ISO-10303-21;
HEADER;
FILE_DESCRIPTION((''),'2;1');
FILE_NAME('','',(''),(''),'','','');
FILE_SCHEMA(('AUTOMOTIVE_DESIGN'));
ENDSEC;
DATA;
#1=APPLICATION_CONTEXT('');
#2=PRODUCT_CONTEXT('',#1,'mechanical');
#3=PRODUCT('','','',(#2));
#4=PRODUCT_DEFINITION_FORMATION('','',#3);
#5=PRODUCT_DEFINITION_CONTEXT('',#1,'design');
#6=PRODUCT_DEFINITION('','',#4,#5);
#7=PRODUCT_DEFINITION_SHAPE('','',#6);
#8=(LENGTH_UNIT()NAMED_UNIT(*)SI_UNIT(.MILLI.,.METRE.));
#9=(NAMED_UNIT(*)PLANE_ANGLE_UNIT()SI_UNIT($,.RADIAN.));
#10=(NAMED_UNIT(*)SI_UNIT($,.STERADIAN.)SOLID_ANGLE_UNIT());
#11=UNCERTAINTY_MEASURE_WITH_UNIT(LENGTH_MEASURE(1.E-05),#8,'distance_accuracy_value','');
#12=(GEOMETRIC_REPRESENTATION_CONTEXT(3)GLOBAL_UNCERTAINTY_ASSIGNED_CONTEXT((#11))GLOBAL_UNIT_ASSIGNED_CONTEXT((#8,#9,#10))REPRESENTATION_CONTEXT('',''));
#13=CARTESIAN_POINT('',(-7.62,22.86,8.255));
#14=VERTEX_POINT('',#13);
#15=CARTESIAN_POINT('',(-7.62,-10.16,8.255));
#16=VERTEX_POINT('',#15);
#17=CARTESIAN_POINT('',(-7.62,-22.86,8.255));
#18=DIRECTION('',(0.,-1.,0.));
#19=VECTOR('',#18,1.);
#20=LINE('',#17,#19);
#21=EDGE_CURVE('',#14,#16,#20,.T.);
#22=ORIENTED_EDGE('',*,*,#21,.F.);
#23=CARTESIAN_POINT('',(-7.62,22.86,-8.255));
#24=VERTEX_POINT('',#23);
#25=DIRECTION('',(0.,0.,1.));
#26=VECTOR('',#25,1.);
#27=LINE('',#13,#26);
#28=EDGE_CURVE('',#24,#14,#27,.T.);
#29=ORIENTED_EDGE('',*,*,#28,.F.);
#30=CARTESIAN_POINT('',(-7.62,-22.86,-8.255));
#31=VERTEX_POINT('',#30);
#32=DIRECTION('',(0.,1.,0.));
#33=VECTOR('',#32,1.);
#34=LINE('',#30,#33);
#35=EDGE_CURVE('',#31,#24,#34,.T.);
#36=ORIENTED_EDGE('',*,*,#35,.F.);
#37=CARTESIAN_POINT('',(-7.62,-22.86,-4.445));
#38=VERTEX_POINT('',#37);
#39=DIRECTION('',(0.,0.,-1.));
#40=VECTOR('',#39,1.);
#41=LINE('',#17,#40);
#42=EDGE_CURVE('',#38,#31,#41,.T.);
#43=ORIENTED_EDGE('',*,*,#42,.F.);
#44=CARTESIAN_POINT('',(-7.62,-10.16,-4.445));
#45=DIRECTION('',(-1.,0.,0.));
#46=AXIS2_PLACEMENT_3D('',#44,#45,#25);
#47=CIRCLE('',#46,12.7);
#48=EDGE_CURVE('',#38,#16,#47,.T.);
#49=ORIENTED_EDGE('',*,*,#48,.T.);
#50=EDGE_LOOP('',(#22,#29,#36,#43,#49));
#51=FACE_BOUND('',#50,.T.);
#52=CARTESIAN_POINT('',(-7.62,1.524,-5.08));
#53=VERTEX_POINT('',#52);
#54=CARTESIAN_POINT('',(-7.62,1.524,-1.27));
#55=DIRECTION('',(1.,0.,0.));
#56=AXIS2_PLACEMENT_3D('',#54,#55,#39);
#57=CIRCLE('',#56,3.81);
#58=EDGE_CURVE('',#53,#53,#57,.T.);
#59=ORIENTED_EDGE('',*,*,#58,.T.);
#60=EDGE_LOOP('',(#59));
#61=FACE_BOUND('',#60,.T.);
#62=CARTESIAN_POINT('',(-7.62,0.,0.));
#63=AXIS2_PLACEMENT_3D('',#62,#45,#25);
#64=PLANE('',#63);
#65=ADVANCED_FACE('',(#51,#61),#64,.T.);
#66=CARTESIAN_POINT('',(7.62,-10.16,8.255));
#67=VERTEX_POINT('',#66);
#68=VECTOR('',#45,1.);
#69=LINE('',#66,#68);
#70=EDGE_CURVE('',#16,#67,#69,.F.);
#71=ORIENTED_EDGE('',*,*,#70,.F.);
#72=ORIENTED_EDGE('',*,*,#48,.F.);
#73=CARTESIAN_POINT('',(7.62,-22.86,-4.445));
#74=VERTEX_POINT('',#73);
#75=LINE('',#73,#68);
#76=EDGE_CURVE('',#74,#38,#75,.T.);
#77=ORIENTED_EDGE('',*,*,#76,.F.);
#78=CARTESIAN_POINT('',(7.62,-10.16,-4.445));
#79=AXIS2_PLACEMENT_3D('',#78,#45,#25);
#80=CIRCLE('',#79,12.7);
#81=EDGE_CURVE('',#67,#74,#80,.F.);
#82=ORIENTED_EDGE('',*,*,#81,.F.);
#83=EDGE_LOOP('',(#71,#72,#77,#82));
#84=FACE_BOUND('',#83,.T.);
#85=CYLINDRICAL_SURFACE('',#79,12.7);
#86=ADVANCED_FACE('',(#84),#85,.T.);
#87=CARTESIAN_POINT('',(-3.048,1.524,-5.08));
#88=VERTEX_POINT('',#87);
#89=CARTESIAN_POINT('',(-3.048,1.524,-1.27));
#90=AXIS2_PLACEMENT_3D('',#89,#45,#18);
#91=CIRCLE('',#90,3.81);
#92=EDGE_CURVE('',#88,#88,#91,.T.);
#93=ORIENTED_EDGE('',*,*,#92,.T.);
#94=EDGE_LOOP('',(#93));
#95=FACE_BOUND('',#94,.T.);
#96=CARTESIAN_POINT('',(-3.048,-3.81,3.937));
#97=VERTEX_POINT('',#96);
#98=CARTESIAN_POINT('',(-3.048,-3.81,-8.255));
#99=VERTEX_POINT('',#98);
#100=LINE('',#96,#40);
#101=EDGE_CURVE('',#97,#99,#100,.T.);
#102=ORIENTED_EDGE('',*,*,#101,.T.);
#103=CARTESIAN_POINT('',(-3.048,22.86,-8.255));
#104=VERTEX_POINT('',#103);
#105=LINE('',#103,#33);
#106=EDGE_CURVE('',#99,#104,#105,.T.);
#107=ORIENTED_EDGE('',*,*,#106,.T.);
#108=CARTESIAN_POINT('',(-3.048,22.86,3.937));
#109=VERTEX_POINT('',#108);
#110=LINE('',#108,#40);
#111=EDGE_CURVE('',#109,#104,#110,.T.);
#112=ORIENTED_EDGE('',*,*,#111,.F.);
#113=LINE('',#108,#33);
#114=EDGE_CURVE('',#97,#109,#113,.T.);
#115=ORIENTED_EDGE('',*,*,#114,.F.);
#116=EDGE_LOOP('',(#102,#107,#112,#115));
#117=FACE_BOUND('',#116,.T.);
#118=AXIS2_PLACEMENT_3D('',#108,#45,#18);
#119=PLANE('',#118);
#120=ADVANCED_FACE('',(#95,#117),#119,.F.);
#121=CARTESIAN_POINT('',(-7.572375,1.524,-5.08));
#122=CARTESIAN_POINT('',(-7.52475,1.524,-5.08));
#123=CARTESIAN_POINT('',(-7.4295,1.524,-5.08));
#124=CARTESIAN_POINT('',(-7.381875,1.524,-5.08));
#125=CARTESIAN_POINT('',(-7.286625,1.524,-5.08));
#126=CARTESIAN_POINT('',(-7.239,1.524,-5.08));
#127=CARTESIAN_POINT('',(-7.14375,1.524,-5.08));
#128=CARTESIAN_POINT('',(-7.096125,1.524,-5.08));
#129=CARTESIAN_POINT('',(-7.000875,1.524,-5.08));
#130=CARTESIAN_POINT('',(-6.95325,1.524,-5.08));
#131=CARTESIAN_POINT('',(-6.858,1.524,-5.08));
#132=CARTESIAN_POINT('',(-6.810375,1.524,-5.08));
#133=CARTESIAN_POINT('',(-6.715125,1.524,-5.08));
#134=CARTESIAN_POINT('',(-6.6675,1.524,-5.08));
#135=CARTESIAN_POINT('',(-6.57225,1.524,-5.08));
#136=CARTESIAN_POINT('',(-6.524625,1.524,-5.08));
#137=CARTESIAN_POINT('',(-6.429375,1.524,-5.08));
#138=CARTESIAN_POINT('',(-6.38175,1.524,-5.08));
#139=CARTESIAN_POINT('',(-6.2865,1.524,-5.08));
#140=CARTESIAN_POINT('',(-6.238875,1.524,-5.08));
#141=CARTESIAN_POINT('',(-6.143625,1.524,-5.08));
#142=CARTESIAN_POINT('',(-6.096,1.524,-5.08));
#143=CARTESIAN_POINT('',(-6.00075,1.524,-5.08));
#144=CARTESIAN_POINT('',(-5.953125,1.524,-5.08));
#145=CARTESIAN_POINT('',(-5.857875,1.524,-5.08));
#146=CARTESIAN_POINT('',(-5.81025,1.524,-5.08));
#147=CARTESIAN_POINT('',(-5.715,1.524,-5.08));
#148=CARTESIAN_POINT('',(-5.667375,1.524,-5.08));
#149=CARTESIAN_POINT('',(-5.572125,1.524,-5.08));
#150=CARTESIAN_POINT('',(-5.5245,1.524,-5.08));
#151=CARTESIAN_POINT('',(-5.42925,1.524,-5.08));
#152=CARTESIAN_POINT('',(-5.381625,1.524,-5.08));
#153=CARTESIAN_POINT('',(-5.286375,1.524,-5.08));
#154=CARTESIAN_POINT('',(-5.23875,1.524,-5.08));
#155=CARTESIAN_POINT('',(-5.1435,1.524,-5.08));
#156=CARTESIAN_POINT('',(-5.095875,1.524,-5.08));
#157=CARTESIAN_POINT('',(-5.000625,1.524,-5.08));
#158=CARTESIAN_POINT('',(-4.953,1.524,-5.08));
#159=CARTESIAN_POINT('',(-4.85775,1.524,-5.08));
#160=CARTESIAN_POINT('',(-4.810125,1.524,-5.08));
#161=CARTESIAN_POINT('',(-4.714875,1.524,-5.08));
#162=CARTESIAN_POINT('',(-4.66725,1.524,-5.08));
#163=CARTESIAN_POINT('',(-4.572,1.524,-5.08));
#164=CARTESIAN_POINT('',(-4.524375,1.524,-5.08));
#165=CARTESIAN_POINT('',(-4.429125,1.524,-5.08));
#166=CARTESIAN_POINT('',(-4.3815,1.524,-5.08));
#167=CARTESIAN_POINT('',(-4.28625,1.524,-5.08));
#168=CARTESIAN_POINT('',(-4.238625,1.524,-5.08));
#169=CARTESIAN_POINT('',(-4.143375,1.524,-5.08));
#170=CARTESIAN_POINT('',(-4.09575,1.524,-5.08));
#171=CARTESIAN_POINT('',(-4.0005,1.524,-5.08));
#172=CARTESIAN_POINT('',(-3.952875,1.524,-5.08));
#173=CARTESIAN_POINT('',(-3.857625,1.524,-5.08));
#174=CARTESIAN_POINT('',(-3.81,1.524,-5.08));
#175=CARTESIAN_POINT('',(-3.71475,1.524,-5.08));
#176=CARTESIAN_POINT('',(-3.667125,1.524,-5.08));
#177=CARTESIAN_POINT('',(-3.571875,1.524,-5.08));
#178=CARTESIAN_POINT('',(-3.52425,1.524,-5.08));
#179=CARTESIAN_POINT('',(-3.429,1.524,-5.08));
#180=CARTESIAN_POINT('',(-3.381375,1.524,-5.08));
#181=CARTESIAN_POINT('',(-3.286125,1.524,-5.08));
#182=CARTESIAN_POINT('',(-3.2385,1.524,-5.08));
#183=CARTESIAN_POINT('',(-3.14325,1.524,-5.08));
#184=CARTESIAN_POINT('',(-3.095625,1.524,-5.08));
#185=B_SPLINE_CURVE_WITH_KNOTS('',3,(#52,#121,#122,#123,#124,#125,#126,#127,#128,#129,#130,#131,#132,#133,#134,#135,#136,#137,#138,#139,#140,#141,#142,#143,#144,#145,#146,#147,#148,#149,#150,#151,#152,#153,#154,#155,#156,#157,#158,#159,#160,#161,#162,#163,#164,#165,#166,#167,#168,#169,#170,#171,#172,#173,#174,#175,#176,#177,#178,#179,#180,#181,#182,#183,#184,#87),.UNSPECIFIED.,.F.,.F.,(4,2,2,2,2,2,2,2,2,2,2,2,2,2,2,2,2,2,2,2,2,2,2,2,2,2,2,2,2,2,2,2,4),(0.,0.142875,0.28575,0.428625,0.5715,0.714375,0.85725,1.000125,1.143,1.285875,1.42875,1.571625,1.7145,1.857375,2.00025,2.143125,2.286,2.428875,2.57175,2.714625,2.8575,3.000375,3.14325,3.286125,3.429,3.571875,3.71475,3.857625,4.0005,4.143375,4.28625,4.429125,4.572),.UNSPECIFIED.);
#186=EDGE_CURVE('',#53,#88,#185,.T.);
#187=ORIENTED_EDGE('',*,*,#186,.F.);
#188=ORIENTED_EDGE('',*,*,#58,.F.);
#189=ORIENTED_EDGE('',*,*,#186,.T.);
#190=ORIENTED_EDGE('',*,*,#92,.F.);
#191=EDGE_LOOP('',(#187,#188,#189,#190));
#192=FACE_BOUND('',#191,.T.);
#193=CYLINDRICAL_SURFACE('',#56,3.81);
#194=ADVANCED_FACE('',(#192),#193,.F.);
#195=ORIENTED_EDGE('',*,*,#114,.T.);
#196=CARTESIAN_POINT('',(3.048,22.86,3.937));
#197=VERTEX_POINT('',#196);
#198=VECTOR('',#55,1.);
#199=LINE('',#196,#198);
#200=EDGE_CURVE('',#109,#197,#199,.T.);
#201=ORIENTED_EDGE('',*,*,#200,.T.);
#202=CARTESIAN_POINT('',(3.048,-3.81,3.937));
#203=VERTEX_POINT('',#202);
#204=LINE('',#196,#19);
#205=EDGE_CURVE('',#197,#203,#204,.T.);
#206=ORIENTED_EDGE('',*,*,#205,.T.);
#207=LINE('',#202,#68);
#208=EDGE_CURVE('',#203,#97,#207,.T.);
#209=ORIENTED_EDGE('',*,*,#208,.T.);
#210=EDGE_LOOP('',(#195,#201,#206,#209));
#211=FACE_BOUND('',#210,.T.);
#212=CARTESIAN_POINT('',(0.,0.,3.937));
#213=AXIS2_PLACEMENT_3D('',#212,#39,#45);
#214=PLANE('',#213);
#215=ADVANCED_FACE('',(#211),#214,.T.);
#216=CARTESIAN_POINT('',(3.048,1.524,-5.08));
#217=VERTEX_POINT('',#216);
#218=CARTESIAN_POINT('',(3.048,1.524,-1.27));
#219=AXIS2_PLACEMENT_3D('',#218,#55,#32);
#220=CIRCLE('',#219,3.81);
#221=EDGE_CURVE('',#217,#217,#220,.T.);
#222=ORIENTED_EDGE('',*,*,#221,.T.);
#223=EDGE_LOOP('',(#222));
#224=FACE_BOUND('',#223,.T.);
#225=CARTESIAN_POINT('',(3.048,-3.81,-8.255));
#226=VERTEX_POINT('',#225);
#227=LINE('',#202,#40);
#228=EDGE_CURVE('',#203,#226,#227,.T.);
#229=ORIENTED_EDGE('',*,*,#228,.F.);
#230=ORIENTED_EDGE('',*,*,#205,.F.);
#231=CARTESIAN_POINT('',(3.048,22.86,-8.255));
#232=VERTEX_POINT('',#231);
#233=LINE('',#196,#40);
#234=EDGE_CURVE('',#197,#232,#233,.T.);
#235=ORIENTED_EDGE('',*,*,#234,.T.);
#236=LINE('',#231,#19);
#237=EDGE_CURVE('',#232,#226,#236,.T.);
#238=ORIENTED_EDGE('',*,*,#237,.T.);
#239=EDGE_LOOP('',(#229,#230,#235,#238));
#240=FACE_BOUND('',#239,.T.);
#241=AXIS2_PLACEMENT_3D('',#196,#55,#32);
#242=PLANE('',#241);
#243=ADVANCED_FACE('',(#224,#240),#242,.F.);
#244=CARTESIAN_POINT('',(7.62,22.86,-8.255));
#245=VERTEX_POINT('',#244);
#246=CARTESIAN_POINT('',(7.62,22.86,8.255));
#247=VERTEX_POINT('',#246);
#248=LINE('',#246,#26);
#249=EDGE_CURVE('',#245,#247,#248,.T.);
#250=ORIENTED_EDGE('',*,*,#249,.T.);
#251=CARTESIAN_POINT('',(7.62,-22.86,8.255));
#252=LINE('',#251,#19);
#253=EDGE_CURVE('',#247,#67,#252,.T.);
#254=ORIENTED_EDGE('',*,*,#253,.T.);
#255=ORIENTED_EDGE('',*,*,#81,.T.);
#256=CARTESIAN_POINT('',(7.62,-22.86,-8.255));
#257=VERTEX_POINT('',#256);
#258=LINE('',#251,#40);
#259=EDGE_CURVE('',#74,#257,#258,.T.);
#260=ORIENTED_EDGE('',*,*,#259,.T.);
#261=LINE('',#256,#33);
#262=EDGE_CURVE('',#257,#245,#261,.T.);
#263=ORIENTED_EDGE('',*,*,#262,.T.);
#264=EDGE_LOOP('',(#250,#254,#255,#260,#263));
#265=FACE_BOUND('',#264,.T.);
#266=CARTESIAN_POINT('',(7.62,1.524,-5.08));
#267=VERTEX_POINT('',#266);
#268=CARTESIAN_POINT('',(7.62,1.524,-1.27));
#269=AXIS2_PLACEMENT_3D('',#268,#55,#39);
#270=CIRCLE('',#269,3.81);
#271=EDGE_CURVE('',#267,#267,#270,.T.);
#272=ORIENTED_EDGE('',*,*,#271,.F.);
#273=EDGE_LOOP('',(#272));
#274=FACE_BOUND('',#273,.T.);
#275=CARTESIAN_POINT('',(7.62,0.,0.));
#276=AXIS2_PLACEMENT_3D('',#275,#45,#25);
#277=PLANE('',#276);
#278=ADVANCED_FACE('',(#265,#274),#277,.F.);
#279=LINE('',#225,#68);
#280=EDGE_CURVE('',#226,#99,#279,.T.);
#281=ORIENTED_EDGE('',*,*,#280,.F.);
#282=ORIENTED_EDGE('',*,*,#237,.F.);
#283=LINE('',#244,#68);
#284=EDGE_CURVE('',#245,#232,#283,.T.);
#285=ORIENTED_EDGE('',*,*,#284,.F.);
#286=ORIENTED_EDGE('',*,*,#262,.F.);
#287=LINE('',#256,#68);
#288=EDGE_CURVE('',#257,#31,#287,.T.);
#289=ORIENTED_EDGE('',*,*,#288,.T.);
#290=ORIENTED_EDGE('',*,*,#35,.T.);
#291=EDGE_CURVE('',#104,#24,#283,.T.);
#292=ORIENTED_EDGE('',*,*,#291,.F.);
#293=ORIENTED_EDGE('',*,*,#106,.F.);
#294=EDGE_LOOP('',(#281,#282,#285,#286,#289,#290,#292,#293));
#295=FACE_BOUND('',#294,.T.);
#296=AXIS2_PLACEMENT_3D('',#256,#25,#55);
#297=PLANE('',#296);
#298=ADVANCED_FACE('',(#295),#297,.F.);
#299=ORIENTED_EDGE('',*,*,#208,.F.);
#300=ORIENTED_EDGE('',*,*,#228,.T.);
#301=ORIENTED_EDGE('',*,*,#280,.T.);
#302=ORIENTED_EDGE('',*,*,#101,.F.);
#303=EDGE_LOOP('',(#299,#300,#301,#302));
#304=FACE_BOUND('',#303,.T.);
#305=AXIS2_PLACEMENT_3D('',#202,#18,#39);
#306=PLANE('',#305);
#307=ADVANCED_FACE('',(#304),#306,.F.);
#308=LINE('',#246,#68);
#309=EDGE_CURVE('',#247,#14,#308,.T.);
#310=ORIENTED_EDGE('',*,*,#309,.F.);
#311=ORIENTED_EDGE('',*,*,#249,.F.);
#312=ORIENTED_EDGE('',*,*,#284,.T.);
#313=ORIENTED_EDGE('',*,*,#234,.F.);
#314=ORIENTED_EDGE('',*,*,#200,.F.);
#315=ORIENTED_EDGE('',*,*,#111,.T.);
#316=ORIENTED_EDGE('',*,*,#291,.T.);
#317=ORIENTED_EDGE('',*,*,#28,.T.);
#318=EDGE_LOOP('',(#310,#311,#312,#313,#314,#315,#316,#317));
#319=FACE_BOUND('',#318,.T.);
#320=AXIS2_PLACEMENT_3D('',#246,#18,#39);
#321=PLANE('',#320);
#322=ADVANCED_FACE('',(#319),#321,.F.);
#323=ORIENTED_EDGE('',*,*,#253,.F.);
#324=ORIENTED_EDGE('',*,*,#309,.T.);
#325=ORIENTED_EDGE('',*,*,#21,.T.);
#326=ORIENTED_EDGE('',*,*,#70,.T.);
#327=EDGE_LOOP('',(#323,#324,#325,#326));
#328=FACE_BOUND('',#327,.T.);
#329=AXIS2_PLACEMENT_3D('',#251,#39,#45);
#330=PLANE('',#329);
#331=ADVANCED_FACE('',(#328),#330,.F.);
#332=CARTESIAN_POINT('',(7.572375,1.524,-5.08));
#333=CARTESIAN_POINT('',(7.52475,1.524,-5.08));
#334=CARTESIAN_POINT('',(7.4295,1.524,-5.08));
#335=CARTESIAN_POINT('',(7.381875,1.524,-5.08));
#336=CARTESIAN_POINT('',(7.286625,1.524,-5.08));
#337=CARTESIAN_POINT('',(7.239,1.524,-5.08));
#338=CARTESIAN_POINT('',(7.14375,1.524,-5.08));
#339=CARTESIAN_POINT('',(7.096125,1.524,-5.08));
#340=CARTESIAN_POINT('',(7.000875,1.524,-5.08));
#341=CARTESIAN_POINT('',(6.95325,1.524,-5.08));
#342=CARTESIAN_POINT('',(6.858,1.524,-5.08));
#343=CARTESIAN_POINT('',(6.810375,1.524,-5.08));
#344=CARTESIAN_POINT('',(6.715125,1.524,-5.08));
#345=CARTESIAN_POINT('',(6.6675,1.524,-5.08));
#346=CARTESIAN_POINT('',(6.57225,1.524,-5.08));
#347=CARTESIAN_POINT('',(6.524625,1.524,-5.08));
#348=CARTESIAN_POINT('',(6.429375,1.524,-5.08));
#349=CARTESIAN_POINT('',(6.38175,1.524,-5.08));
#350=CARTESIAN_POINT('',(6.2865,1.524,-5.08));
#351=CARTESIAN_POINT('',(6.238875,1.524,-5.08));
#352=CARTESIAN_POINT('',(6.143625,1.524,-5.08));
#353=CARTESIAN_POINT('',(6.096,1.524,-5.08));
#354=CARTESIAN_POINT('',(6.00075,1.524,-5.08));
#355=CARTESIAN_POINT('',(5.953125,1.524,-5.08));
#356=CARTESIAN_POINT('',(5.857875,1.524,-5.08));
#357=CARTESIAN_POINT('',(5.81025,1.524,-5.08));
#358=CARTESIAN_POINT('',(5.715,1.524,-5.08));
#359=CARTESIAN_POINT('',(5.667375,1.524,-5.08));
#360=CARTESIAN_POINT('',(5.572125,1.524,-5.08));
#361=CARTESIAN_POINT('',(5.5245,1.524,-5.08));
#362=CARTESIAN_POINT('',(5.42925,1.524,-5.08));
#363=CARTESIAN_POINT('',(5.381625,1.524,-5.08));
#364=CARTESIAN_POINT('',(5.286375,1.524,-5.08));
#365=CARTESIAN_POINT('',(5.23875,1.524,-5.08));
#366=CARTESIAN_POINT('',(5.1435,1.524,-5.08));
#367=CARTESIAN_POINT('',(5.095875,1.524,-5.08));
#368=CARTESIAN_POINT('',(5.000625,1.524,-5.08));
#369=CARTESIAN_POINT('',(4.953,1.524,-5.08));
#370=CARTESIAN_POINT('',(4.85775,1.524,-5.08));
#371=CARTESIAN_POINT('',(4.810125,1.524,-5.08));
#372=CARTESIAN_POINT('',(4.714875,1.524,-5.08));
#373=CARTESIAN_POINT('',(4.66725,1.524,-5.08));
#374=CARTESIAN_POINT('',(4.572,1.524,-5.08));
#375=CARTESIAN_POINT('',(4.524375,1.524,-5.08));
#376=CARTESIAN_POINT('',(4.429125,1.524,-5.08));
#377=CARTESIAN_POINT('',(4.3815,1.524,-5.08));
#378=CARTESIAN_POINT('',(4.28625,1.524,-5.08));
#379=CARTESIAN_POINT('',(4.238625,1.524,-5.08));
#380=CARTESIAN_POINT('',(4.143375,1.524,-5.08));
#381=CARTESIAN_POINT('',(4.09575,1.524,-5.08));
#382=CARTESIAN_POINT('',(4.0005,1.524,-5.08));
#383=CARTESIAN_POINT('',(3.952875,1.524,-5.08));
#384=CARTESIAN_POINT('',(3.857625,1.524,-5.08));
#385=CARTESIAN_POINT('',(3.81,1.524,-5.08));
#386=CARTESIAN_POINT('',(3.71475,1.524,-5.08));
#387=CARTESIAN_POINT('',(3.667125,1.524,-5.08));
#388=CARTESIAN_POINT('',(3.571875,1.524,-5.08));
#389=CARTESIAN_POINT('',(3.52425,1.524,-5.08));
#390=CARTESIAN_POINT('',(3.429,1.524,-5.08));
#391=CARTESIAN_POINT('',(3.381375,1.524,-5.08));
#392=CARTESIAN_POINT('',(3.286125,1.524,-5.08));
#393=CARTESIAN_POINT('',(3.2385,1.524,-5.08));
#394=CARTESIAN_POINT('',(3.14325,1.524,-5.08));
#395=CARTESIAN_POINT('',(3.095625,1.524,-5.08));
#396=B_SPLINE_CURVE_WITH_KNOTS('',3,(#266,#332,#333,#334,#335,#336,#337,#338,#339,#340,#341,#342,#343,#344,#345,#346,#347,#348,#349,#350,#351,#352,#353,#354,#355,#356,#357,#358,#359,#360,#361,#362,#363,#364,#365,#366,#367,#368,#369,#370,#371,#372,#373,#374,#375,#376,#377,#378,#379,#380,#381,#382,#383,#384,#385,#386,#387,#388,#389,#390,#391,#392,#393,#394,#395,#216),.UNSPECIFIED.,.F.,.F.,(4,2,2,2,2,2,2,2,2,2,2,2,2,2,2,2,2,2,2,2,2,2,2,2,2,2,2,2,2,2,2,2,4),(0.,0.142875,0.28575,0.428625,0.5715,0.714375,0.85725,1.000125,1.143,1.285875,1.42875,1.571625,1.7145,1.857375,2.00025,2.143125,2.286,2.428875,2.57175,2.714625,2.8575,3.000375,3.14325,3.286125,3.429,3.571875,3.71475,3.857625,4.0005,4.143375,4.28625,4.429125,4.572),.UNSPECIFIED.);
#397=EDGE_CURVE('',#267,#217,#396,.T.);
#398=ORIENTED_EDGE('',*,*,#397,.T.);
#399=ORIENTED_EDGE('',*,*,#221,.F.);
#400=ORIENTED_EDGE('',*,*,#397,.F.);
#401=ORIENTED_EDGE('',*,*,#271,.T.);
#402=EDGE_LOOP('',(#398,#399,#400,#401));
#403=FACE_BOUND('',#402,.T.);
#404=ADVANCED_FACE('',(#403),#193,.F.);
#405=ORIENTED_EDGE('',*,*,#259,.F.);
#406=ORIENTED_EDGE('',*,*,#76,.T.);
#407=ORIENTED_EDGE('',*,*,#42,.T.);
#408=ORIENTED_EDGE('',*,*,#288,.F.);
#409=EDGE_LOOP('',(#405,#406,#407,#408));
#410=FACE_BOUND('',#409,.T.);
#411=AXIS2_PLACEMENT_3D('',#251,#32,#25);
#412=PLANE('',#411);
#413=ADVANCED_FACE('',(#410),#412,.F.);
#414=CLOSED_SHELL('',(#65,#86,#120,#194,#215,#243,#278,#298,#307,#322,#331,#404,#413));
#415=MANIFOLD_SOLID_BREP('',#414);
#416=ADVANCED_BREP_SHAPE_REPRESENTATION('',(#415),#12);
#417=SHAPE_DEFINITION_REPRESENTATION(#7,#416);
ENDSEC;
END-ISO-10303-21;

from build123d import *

# Parameters (mm, degrees)
SKETCH2_W           = 16.51
SKETCH2_H           = 45.72
BOSS_EXTRUDE1_DEPTH = 7.62
FILLET1_R           = 12.7
SKETCH3_W           = 6.096
SKETCH3_H           = 26.67
CUT_EXTRUDE1_DEPTH  = 12.192
SKETCH4_R           = 3.81
CUT_EXTRUDE2_DEPTH  = 29.687666775


with BuildPart() as part:
    # Sketch2 → Boss-Extrude1 (new, symmetric)
    with BuildSketch(Plane(origin=(0, 0, 0), x_dir=(0, 0, -1), z_dir=(1, 0, 0))):
        Rectangle(SKETCH2_W, SKETCH2_H)
    extrude(amount=BOSS_EXTRUDE1_DEPTH, both=True)

    # Fillet1
    fillet1_edges = [part.edges().sort_by_distance(p)[0] for p in [
        (0, -22.86, 8.255),
    ]]
    fillet(fillet1_edges, radius=FILLET1_R)

    # Sketch3 → Cut-Extrude1 (cut)
    with BuildSketch(Plane(origin=(0, 0, -8.255), x_dir=(-1, 0, 0), z_dir=(0, 0, -1))):
        with Locations((0, 9.525)):
            Rectangle(SKETCH3_W, SKETCH3_H)
    extrude(amount=-CUT_EXTRUDE1_DEPTH, mode=Mode.SUBTRACT)

    # Sketch4 → Cut-Extrude2 (cut, through all)
    with BuildSketch(Plane(origin=(7.62, 0, 0), x_dir=(0, 0, -1), z_dir=(1, 0, 0))):
        with Locations((1.27, 1.524)):
            Circle(SKETCH4_R)
    extrude(amount=-CUT_EXTRUDE2_DEPTH, mode=Mode.SUBTRACT)


solid = part.part
